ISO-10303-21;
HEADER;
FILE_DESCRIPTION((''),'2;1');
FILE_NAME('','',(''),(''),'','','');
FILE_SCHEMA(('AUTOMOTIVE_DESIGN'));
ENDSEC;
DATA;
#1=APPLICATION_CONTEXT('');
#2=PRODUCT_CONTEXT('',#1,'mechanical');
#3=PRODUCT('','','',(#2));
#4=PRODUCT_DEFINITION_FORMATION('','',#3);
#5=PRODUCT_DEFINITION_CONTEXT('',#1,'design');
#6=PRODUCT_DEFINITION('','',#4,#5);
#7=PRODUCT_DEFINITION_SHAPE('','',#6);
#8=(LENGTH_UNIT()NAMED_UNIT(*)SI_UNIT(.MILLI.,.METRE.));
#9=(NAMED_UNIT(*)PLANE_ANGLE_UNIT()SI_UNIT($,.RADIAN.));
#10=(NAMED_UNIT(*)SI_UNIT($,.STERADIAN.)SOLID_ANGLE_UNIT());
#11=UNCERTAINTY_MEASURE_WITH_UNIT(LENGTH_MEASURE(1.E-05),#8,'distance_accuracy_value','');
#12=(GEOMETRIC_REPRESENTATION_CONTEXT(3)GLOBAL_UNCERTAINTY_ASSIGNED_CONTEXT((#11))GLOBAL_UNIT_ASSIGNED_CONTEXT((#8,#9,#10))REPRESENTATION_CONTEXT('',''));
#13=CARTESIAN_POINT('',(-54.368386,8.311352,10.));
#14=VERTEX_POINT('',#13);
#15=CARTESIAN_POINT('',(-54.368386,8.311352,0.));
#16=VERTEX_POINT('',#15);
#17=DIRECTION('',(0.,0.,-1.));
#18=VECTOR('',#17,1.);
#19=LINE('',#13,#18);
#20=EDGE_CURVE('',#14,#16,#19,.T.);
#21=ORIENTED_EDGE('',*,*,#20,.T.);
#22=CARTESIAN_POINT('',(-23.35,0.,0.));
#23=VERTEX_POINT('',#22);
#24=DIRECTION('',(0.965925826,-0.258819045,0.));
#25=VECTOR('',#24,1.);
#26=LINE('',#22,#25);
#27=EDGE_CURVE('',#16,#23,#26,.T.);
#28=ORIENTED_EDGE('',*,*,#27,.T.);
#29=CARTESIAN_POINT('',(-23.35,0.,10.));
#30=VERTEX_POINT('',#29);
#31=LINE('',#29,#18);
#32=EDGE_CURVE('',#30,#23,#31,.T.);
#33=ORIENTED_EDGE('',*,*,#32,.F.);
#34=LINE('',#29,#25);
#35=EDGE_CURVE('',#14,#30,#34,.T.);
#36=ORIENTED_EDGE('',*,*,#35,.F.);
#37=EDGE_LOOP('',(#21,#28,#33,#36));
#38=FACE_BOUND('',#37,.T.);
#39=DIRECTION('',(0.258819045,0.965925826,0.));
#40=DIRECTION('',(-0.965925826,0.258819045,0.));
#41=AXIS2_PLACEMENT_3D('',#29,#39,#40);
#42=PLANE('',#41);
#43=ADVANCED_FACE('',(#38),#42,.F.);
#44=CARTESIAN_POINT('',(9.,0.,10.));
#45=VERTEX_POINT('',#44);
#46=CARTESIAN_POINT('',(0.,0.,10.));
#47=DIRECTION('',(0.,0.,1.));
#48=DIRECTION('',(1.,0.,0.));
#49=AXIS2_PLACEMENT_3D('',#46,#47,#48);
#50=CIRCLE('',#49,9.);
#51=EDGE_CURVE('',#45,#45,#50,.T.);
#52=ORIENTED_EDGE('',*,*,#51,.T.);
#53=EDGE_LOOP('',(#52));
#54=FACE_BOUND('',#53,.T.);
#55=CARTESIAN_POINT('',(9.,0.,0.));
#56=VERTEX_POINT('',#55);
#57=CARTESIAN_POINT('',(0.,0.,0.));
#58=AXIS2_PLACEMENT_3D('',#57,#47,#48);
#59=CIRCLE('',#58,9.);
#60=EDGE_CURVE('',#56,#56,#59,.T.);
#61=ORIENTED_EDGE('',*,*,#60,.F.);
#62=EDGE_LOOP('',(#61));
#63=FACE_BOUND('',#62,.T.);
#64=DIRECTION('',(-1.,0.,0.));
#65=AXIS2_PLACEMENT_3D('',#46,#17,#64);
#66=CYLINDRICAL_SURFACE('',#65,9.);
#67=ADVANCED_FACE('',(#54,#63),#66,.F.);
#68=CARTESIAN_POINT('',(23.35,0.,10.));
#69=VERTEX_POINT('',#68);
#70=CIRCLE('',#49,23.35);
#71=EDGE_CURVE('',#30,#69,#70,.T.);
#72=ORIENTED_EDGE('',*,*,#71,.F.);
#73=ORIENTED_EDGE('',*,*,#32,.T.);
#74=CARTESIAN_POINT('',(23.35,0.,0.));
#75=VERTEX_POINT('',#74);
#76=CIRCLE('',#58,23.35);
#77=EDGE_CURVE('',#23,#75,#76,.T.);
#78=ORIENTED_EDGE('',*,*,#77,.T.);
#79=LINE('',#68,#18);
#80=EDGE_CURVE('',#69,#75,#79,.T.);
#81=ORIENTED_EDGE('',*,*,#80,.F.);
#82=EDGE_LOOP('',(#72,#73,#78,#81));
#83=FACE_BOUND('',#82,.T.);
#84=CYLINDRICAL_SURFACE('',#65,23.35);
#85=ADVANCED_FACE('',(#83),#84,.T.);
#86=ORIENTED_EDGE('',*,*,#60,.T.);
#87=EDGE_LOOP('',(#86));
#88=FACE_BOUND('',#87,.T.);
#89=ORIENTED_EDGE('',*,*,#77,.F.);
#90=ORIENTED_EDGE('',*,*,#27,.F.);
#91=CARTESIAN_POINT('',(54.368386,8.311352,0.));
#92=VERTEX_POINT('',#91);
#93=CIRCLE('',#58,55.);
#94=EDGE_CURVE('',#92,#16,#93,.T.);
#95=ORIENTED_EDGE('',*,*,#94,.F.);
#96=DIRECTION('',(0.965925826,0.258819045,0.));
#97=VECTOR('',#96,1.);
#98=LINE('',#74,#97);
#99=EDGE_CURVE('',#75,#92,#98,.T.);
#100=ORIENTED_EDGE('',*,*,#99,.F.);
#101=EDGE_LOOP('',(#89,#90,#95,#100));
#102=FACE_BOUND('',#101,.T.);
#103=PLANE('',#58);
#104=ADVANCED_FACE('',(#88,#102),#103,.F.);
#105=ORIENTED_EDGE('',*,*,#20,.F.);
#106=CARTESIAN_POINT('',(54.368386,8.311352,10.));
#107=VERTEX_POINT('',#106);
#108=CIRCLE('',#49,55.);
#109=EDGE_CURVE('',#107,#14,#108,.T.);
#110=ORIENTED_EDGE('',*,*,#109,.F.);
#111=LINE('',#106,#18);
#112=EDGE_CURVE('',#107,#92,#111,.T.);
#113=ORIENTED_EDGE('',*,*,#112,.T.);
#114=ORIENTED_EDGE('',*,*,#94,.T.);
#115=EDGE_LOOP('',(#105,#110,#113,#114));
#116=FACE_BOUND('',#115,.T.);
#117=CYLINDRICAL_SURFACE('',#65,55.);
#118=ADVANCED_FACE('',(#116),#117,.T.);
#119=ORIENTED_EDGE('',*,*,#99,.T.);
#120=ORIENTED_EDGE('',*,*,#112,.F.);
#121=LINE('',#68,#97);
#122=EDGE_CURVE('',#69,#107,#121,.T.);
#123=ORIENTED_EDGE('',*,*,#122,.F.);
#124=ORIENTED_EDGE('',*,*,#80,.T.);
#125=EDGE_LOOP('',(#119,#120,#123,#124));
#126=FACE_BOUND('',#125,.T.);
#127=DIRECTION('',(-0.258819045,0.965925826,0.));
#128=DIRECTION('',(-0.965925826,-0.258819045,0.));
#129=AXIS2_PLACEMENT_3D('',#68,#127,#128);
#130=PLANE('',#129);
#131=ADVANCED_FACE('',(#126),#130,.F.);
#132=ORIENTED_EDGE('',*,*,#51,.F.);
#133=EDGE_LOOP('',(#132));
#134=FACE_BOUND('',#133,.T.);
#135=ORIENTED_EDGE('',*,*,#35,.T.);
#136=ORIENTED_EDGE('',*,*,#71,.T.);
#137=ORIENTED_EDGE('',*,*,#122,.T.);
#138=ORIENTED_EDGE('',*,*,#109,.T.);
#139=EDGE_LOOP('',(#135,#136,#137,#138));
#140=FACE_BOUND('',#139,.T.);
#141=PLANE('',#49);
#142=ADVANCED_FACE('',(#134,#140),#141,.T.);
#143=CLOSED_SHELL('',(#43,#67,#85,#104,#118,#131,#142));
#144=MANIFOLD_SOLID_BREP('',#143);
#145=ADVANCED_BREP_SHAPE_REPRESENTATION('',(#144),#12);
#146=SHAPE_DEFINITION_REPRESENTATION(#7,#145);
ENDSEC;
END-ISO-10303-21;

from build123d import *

# Parameters (mm, degrees)
SZKIC1_R                    = 9
DODANIE_WYCI_GNI_CIE1_DEPTH = 10


with BuildPart() as part:
    # Szkic1 → Dodanie-wyciągnięcie1 (new body)
    with BuildSketch(Plane.XY):
        with BuildLine():
            Line((-23.35, 0), (-54.368386356, 8.311351575))
            ThreePointArc((-54.368386356, 8.311351575), (0, 55), (54.368386356, 8.311351575))
            Line((54.368386356, 8.311351575), (23.35, 0))
            ThreePointArc((23.35, 0), (0, -23.35), (-23.35, 0))
        make_face()
        Circle(SZKIC1_R, mode=Mode.SUBTRACT)
    extrude(amount=DODANIE_WYCI_GNI_CIE1_DEPTH)


solid = part.part
